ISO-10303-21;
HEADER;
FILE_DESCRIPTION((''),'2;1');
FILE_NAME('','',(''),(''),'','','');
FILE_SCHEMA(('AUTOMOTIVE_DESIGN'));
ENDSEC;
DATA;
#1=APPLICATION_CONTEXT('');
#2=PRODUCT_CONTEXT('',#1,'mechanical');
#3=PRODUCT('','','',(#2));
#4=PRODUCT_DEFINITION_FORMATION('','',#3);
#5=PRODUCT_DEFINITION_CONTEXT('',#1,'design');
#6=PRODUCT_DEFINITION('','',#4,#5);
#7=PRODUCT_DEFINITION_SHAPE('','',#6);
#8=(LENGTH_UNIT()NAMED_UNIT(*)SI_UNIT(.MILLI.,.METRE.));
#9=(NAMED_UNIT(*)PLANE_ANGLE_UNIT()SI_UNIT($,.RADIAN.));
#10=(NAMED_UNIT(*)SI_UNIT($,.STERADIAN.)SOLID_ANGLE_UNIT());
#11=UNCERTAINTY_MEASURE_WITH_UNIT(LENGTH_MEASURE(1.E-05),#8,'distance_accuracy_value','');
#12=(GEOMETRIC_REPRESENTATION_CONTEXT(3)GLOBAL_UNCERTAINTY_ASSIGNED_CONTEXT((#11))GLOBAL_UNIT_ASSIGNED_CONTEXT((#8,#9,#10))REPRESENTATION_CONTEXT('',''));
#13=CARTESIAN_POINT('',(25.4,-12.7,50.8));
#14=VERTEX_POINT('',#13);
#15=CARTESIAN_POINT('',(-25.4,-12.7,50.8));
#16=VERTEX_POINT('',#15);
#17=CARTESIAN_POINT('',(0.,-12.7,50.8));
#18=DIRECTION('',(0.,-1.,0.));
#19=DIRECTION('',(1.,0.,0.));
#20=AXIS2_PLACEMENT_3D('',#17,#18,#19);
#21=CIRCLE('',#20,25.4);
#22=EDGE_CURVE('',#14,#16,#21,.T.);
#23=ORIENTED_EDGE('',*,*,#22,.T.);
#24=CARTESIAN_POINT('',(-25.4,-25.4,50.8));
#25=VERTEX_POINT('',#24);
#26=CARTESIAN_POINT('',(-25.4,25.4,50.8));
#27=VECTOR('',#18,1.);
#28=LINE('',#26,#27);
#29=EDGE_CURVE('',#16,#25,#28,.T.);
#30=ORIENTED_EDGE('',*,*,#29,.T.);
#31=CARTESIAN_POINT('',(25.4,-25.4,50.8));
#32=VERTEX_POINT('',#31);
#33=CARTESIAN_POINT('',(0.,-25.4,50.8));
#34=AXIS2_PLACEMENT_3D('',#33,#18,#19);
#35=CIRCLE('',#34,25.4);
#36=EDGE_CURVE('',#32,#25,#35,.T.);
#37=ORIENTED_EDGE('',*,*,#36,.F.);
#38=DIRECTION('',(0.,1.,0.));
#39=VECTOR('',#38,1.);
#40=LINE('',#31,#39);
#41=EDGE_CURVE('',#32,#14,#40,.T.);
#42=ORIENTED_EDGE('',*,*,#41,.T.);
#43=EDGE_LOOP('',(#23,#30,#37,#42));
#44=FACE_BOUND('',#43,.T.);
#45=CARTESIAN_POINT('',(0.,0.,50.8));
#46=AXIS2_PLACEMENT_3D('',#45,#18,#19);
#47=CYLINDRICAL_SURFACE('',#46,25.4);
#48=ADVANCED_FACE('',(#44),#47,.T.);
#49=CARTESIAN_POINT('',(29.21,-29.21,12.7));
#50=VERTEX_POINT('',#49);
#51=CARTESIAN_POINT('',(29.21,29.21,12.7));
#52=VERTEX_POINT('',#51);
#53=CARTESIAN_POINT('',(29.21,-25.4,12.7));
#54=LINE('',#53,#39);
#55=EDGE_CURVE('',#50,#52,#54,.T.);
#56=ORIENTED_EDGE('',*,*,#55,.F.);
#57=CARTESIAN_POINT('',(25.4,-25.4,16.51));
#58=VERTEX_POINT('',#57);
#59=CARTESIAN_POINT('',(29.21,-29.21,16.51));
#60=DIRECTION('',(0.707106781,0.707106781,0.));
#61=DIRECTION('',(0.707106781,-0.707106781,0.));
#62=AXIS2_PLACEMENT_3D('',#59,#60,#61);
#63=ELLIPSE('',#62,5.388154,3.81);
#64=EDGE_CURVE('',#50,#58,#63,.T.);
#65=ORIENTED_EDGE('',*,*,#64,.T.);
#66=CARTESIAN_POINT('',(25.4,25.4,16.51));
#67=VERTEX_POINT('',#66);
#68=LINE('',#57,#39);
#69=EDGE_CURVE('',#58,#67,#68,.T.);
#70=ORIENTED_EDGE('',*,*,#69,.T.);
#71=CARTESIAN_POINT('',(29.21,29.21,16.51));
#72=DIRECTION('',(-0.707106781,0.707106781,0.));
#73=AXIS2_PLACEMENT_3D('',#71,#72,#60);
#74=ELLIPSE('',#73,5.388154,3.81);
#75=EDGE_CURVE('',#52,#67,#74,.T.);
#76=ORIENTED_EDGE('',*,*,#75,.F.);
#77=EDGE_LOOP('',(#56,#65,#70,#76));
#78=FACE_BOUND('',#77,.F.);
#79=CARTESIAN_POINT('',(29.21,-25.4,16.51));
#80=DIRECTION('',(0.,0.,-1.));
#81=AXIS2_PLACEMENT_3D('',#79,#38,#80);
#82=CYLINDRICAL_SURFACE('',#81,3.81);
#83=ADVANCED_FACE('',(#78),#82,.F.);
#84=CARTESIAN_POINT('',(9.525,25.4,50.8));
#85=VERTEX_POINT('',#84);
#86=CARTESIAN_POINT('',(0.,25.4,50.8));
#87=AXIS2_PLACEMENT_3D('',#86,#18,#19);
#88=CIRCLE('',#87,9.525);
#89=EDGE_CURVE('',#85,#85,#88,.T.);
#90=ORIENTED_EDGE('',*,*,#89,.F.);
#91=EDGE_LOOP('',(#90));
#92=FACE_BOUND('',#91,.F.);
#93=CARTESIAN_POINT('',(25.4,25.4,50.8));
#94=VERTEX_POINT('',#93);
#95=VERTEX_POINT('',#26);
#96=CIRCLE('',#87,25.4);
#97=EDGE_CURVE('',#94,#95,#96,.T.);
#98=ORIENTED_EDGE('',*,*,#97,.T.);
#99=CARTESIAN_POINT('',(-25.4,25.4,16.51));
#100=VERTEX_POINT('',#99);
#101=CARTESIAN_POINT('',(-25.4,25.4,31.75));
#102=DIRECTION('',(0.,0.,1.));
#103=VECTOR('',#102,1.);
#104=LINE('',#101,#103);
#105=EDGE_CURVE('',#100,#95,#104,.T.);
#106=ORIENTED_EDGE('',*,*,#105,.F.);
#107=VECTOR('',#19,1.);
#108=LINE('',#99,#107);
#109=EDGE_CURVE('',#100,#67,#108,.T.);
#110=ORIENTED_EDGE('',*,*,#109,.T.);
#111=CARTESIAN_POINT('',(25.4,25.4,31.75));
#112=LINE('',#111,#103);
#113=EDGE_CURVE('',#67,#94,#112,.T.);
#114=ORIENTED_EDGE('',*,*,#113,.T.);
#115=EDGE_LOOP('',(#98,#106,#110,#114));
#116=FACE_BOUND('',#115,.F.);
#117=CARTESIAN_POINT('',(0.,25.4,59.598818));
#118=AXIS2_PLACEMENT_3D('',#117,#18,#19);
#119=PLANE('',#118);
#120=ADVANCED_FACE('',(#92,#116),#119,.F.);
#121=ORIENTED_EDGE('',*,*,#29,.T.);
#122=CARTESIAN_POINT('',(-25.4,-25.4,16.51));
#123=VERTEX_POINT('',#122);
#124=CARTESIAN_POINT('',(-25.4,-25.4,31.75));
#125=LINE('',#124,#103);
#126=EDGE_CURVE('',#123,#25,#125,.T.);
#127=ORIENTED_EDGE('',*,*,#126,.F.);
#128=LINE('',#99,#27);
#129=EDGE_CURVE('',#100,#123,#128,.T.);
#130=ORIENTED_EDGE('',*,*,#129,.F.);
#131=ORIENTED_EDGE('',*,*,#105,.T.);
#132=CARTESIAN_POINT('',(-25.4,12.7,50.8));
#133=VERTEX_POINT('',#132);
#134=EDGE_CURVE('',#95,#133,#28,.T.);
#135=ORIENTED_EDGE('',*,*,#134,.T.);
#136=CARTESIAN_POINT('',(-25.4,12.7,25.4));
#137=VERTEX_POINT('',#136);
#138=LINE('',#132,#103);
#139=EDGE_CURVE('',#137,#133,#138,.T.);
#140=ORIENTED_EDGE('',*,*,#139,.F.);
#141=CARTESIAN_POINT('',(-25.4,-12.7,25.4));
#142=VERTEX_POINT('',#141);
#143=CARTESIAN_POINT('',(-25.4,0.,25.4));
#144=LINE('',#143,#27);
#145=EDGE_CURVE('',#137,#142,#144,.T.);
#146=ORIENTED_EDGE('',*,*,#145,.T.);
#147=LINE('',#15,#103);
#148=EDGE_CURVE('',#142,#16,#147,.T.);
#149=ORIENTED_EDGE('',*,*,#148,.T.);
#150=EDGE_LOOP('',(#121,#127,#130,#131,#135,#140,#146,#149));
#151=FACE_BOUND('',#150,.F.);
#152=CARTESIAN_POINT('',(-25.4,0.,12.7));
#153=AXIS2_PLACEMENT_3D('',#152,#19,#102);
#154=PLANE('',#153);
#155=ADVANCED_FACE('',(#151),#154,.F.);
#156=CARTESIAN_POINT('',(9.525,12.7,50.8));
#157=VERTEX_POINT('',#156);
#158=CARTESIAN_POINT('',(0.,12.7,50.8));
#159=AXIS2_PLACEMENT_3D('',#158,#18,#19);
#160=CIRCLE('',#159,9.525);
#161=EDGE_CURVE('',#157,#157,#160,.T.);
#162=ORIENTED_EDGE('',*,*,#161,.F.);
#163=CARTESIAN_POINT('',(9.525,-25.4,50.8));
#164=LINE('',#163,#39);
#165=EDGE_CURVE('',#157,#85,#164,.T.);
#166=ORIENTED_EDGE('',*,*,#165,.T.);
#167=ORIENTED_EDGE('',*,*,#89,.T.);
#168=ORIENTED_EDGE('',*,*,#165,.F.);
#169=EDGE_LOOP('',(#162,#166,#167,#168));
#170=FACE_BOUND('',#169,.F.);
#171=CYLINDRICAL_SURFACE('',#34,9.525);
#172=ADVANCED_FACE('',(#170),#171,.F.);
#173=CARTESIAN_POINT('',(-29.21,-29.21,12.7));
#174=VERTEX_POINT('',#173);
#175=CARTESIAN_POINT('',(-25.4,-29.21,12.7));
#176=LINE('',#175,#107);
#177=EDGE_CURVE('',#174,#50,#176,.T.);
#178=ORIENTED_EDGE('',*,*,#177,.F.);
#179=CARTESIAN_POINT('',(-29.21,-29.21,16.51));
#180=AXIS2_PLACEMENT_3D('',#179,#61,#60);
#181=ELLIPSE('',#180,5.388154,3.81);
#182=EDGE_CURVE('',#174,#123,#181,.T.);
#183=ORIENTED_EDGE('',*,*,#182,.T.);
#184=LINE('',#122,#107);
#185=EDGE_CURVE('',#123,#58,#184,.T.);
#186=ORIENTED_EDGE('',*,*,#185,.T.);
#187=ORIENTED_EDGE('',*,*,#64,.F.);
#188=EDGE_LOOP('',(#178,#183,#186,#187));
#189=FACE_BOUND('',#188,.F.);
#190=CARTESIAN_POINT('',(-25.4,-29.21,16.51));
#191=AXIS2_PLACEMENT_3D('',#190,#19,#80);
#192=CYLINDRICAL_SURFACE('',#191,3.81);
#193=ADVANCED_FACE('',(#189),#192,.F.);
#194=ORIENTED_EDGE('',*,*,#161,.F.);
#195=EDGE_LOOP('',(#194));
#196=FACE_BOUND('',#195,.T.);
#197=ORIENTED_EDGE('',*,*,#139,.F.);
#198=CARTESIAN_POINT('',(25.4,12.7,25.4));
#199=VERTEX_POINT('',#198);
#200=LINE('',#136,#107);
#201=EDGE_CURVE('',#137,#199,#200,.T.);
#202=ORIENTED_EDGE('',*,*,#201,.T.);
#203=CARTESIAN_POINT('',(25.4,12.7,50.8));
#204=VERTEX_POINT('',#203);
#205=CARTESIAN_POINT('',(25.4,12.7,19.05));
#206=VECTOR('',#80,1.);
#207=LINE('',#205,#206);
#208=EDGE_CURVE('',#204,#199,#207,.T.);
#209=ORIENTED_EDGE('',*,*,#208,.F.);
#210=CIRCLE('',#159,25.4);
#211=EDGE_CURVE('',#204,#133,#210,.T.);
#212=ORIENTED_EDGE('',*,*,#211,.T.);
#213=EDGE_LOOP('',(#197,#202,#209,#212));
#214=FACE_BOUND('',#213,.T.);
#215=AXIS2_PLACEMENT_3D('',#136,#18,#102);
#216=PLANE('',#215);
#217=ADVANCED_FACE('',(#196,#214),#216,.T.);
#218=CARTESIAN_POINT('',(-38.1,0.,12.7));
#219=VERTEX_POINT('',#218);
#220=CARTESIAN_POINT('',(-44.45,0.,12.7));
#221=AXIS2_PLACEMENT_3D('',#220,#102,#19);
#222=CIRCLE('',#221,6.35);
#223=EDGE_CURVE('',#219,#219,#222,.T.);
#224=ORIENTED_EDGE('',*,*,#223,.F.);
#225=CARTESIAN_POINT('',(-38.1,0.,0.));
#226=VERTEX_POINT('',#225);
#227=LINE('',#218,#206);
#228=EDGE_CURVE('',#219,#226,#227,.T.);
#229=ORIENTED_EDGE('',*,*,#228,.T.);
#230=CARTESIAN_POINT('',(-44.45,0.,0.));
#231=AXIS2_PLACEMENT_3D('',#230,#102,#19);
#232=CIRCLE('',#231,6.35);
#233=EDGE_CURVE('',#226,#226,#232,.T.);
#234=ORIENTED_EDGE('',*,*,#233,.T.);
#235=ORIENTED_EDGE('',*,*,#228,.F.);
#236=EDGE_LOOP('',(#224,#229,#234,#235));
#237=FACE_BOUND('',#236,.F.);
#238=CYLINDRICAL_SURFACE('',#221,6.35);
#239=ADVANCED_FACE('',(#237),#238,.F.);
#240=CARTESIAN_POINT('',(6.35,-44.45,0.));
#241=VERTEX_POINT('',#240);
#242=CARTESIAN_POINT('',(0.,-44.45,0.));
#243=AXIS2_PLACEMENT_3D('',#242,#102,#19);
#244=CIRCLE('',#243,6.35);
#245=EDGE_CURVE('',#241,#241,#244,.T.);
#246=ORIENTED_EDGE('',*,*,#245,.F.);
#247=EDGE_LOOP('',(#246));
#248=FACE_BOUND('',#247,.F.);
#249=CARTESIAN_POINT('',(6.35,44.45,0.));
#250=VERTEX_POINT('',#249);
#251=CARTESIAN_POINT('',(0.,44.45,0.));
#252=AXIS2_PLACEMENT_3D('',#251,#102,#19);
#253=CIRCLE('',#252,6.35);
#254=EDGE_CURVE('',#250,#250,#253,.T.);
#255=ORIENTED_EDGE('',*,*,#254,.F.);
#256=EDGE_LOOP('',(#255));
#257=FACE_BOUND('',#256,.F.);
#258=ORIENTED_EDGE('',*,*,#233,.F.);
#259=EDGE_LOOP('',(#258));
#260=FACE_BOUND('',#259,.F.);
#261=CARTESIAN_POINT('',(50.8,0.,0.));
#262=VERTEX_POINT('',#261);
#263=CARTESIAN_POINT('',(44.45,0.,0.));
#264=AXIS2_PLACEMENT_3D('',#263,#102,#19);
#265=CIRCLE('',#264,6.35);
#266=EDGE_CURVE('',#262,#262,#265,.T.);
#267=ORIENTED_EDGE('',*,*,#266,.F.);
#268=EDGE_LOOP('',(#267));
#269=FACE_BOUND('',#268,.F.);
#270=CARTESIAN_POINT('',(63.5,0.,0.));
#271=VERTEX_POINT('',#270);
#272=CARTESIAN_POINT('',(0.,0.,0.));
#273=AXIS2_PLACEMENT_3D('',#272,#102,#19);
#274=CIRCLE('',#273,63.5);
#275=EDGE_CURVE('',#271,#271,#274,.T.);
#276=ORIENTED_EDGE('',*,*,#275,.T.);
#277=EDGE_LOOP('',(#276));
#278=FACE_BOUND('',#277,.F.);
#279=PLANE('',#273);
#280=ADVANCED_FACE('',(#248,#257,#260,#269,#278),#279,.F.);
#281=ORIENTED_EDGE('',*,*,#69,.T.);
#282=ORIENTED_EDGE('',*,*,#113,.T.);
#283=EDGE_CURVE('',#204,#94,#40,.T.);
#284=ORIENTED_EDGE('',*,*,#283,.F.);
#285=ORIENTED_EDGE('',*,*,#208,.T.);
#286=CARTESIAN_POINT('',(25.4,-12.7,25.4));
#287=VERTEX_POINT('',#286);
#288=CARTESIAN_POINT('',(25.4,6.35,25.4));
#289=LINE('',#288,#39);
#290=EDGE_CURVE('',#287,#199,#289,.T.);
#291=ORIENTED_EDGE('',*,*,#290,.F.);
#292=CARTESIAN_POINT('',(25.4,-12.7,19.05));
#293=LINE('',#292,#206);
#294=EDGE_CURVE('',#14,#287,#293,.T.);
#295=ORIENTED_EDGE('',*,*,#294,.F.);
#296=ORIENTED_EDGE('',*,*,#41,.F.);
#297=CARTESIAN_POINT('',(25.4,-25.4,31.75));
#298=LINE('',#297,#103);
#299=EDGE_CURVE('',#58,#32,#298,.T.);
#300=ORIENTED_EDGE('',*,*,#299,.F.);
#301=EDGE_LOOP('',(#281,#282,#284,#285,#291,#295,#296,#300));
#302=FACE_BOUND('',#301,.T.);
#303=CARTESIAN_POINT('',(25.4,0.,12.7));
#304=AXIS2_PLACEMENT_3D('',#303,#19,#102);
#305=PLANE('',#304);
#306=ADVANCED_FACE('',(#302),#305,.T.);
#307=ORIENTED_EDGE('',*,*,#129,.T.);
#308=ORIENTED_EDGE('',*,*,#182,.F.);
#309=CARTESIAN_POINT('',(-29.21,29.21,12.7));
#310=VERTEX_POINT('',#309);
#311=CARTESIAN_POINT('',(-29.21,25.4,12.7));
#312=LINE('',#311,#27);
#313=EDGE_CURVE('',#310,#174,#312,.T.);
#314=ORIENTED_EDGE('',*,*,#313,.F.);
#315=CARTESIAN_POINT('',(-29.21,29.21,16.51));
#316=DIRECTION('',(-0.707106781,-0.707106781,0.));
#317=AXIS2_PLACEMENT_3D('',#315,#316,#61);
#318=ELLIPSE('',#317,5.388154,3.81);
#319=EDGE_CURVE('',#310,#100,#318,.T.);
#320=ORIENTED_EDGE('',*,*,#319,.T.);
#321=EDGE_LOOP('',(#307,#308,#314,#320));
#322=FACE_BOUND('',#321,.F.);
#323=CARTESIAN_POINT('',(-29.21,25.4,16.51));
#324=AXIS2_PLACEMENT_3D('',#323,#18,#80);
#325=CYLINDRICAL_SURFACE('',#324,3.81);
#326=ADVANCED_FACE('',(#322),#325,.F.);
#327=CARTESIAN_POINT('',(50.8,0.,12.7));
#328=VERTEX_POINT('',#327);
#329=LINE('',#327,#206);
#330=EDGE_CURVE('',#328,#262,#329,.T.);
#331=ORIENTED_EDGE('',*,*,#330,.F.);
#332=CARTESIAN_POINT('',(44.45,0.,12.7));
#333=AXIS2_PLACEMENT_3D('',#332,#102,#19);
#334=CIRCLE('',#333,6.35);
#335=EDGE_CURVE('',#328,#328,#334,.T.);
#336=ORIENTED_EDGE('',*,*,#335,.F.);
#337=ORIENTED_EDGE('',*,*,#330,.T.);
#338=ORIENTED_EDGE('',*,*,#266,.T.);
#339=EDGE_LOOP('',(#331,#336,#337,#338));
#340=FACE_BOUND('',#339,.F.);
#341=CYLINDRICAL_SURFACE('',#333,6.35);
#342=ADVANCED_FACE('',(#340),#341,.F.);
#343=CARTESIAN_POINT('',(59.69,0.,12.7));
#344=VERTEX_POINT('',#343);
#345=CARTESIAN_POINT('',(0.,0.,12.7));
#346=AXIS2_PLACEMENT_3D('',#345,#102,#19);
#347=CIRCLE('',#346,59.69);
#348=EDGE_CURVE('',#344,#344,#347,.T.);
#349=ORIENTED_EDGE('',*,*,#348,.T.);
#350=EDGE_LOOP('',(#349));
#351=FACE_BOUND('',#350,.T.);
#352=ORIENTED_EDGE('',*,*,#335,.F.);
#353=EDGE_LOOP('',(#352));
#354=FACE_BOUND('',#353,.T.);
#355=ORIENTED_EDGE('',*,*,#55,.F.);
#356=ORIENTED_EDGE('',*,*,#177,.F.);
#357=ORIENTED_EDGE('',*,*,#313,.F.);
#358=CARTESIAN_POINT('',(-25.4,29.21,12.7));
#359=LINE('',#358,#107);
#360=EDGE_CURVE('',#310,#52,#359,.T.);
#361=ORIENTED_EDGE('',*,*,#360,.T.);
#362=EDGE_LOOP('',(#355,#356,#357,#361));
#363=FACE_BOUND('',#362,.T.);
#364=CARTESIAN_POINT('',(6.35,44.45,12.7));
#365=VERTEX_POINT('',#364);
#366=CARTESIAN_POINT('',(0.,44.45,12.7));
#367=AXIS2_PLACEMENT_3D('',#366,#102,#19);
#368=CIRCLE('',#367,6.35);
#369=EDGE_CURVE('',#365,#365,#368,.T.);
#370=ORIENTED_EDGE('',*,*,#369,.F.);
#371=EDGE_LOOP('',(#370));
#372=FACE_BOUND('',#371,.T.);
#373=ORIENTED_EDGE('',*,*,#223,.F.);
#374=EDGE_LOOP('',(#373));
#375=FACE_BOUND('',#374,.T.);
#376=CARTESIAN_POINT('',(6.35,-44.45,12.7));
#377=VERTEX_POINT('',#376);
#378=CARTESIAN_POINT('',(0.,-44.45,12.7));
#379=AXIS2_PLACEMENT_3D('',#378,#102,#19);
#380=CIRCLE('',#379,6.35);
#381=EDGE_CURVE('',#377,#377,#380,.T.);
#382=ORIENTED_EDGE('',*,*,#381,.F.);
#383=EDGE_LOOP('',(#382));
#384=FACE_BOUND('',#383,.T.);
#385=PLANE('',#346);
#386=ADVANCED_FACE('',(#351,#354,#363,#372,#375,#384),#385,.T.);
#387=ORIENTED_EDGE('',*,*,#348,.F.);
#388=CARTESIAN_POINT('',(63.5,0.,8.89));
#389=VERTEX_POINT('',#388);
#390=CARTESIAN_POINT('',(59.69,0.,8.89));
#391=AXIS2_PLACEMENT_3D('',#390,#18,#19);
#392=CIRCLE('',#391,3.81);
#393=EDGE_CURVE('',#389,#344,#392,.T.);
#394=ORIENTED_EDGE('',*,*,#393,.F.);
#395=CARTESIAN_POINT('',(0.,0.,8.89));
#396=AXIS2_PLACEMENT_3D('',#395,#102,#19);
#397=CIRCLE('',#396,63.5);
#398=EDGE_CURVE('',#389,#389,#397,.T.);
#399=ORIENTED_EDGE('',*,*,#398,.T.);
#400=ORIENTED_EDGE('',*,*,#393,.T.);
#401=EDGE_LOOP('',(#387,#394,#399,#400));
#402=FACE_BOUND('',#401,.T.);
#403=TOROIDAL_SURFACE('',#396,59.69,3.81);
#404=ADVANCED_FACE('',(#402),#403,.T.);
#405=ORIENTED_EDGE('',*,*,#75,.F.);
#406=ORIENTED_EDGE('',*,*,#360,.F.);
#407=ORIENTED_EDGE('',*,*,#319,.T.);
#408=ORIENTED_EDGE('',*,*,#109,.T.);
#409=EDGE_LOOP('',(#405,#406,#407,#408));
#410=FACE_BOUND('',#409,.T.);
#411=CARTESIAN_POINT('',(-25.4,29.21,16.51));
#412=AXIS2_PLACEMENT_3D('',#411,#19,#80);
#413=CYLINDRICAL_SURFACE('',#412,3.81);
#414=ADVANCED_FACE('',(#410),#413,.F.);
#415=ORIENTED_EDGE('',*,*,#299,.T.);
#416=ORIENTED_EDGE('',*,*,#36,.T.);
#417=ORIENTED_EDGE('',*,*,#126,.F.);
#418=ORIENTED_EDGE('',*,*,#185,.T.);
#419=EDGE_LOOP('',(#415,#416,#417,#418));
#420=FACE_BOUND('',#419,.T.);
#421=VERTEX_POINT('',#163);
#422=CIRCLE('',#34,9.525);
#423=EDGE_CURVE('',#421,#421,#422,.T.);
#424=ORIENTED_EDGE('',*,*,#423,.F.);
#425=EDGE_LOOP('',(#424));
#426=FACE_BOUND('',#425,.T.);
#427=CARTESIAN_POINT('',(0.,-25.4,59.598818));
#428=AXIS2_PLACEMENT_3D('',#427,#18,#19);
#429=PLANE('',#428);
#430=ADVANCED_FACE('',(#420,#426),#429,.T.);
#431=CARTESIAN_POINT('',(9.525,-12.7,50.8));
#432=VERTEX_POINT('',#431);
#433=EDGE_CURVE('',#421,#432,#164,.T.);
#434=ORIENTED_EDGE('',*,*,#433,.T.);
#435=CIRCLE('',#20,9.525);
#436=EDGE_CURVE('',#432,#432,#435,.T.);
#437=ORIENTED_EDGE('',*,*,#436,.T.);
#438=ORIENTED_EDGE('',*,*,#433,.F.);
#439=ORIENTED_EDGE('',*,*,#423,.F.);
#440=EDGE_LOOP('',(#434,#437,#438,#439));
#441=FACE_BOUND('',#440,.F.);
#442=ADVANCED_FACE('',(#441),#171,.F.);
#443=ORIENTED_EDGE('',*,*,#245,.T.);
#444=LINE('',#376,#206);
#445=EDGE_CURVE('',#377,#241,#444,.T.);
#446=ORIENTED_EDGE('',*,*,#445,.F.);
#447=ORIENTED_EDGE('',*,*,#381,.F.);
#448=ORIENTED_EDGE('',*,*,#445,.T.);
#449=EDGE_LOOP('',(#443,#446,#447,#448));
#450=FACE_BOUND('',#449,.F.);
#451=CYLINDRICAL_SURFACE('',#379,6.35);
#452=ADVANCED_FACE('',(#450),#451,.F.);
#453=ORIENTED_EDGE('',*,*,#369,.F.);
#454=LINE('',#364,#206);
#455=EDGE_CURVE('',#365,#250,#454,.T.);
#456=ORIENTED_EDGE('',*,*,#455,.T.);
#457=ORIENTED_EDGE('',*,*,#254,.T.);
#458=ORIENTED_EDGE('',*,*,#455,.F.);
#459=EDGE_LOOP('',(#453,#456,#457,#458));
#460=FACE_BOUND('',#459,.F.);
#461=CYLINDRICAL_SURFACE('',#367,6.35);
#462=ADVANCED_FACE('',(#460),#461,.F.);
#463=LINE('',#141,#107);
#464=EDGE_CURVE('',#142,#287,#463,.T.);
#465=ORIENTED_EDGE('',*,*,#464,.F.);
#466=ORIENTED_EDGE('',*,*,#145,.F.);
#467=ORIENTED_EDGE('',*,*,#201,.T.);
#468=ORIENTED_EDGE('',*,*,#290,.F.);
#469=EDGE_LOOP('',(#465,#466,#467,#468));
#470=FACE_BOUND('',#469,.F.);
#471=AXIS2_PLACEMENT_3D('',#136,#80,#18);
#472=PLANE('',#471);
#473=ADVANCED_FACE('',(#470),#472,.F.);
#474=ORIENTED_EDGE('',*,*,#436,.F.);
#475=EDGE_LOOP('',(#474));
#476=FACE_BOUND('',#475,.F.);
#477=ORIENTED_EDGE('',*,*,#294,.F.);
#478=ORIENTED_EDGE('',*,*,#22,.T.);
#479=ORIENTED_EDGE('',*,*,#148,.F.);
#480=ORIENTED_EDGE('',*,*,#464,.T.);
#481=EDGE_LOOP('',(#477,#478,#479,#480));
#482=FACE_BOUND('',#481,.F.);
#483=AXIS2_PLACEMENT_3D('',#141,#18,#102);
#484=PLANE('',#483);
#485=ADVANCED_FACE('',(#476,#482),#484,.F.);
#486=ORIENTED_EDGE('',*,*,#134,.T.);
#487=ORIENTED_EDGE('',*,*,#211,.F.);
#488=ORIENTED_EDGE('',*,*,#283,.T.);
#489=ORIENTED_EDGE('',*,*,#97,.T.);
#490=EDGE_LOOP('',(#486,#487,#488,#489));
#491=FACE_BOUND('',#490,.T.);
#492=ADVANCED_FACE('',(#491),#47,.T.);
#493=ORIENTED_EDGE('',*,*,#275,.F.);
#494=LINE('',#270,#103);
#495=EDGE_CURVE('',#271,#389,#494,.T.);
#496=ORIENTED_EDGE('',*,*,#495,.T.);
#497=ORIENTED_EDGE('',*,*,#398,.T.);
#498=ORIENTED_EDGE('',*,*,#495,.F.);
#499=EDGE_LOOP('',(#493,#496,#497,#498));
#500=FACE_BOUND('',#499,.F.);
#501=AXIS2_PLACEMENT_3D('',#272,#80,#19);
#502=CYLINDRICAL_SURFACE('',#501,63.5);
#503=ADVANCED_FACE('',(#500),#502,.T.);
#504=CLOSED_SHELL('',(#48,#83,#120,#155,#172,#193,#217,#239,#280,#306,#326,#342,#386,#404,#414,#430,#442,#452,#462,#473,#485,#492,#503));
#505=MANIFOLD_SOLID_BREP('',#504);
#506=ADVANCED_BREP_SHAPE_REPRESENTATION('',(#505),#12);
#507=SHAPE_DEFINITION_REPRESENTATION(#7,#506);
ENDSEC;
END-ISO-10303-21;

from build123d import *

# Parameters (mm, degrees)
F0_R     = 63.5
F1_DEPTH = 12.7
F2_R     = 6.35
F3_DEPTH = 12.701
F4_W     = 50.8
F4_H     = 38.1
F5_DEPTH = 25.4
F6_R     = 9.525
F7_DEPTH = 88.901
F8_W     = 25.4
F8_H     = 50.8
F9_DEPTH = 88.901
F10_R    = 3.81


with BuildPart() as f1:
    # F0 (on Top) → F1 (new body)
    with BuildSketch(Plane.XY):
        Circle(F0_R)
    extrude(amount=F1_DEPTH)

    # F2 (on face) → F3 (cut, through all)
    with BuildSketch(Plane.XY.offset(12.7)):
        with Locations((0, 44.45)):
            Circle(F2_R)
        with Locations((-44.45, 0)):
            Circle(F2_R)
        with Locations((0, -44.45)):
            Circle(F2_R)
        with Locations((44.45, 0)):
            Circle(F2_R)
    extrude(amount=-F3_DEPTH, mode=Mode.SUBTRACT)

    # F4 (on Front) → F5 (join, symmetric)
    with BuildSketch(Plane.XZ):
        with BuildLine():
            ThreePointArc((25.4, 50.8), (0, 76.2), (-25.4, 50.8))
            Line((-25.4, 50.8), (25.4, 50.8))
        make_face()
        with Locations((0, 31.75)):
            Rectangle(F4_W, F4_H)
    extrude(amount=F5_DEPTH, both=True)

    # F6 (on face) → F7 (cut, through all)
    with BuildSketch(Plane.XZ.offset(25.4)):
        with Locations((0, 50.8)):
            Circle(F6_R)
    extrude(amount=-F7_DEPTH, mode=Mode.SUBTRACT)

    # F8 (on face) → F9 (cut, through all)
    with BuildSketch(Plane(origin=(-25.4, 0, 0), x_dir=(0, -1, 0), z_dir=(-1, 0, 0))):
        with Locations((0, 50.8)):
            Rectangle(F8_W, F8_H)
    extrude(amount=-F9_DEPTH, mode=Mode.SUBTRACT)

    # F10
    f10_edges = [f1.edges().sort_by_distance(p)[0] for p in [
        (0, -25.4, 12.7),
        (25.4, 0, 12.7),
        (-63.5, 0, 12.7),
        (0, 25.4, 12.7),
        (-25.4, 0, 12.7),
    ]]
    fillet(f10_edges, radius=F10_R)


solid = f1.part
